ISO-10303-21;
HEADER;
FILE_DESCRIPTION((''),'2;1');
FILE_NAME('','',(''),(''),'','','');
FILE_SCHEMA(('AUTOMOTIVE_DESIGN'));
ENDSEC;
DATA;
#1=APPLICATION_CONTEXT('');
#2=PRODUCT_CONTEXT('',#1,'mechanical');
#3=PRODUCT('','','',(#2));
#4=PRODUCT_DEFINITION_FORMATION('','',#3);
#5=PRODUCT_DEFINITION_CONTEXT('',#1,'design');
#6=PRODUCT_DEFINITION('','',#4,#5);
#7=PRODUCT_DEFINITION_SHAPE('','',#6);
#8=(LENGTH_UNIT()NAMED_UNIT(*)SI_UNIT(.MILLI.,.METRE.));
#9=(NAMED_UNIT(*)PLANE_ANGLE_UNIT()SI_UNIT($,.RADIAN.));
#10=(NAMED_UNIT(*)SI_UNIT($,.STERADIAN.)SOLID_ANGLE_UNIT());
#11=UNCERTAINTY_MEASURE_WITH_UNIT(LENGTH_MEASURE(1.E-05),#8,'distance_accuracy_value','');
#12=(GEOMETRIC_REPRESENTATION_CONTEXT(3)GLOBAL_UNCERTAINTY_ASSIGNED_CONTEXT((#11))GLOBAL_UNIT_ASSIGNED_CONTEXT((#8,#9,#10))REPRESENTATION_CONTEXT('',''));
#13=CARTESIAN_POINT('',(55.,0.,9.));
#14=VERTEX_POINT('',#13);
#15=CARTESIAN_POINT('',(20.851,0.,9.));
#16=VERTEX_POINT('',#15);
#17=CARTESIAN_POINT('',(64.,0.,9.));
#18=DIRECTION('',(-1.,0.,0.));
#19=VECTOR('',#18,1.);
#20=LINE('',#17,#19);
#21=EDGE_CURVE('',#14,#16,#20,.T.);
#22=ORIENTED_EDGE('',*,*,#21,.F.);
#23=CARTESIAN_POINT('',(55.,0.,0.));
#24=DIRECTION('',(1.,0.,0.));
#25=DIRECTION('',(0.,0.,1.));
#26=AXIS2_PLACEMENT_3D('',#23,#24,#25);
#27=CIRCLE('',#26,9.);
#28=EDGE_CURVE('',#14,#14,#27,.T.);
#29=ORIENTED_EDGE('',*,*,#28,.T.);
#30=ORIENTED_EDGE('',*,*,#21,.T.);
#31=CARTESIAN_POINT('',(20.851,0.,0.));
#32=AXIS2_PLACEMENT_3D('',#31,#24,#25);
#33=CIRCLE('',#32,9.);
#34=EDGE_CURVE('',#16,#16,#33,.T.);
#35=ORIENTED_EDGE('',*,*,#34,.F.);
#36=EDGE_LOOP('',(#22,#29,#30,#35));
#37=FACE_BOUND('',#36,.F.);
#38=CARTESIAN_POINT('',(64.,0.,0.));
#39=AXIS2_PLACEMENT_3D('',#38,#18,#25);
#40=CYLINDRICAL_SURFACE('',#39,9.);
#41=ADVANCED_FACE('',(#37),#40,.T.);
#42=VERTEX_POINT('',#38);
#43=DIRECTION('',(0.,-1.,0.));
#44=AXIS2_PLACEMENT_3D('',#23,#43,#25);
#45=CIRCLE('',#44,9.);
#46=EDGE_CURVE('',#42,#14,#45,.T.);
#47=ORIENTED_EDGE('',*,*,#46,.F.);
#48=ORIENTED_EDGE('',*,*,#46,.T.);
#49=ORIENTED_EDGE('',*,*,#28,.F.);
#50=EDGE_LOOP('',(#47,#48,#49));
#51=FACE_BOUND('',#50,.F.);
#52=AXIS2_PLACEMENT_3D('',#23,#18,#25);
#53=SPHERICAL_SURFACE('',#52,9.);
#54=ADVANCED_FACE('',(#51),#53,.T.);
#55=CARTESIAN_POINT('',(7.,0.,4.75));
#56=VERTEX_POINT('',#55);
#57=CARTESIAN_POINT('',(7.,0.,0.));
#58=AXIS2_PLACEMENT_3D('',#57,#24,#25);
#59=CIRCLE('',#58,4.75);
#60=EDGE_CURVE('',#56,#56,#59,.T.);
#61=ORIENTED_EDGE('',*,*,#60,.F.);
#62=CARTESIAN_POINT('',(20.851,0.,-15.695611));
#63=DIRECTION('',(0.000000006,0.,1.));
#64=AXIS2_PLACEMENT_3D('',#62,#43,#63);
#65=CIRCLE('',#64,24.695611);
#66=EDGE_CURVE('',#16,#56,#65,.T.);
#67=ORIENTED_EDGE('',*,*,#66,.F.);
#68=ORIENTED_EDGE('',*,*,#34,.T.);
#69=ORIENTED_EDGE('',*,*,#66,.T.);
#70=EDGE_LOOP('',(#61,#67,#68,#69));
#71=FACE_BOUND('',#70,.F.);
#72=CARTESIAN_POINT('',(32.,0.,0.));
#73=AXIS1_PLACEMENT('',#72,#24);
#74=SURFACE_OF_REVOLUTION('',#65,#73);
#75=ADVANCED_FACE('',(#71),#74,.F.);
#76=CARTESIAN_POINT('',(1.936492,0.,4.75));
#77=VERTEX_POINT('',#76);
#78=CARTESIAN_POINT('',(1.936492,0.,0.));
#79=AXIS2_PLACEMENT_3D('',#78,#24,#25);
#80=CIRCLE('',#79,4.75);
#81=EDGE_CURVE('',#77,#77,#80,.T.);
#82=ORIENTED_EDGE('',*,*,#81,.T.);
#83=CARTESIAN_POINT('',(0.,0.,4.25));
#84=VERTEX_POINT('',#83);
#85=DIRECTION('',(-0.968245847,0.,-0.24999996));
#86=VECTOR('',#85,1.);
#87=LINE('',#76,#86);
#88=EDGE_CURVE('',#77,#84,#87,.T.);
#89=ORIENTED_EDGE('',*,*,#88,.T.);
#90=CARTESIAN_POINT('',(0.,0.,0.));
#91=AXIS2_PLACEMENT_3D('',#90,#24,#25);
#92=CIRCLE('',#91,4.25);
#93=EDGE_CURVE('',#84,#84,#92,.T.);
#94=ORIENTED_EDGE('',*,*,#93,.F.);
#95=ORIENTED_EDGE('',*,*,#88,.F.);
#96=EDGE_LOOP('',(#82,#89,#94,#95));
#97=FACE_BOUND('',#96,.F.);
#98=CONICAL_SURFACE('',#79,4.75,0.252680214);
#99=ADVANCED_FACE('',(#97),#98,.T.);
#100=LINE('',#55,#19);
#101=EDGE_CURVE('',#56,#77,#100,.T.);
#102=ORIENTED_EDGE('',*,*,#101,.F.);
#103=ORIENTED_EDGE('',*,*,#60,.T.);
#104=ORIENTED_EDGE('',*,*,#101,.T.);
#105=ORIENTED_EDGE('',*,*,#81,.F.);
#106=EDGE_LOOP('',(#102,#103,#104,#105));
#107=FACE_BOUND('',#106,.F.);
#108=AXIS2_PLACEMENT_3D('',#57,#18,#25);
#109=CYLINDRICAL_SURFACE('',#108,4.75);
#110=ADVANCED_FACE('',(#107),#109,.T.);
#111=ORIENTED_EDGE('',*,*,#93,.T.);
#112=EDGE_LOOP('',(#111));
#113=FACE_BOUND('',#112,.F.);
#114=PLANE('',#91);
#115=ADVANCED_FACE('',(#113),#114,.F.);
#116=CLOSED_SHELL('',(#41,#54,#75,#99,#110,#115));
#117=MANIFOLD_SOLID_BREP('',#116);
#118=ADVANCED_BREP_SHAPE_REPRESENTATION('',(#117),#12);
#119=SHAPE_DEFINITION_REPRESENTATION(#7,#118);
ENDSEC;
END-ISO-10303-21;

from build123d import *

# Parameters (mm, degrees)
F2_R = 9


with BuildPart() as f1:
    # F0 (on Front) → F1 (revolve)
    with BuildSketch(Plane.XZ):
        with BuildLine():
            Line((0, 4.25), (0, 0))
            Line((0, 0), (64, 0))
            Line((64, 0), (64, 9))
            Line((64, 9), (20.851, 9))
            ThreePointArc((20.851, 9), (13.606818, 7.913604), (7, 4.75))
            Line((7, 4.75), (1.936492, 4.75))
            Line((1.936492, 4.75), (0, 4.25))
        make_face()
    revolve(axis=Axis((32, 0, 0), (1, 0, 0)))

    # F2
    f2_edges = [f1.edges().sort_by_distance(p)[0] for p in [
        (64, 0, -9),
    ]]
    fillet(f2_edges, radius=F2_R)


solid = f1.part
